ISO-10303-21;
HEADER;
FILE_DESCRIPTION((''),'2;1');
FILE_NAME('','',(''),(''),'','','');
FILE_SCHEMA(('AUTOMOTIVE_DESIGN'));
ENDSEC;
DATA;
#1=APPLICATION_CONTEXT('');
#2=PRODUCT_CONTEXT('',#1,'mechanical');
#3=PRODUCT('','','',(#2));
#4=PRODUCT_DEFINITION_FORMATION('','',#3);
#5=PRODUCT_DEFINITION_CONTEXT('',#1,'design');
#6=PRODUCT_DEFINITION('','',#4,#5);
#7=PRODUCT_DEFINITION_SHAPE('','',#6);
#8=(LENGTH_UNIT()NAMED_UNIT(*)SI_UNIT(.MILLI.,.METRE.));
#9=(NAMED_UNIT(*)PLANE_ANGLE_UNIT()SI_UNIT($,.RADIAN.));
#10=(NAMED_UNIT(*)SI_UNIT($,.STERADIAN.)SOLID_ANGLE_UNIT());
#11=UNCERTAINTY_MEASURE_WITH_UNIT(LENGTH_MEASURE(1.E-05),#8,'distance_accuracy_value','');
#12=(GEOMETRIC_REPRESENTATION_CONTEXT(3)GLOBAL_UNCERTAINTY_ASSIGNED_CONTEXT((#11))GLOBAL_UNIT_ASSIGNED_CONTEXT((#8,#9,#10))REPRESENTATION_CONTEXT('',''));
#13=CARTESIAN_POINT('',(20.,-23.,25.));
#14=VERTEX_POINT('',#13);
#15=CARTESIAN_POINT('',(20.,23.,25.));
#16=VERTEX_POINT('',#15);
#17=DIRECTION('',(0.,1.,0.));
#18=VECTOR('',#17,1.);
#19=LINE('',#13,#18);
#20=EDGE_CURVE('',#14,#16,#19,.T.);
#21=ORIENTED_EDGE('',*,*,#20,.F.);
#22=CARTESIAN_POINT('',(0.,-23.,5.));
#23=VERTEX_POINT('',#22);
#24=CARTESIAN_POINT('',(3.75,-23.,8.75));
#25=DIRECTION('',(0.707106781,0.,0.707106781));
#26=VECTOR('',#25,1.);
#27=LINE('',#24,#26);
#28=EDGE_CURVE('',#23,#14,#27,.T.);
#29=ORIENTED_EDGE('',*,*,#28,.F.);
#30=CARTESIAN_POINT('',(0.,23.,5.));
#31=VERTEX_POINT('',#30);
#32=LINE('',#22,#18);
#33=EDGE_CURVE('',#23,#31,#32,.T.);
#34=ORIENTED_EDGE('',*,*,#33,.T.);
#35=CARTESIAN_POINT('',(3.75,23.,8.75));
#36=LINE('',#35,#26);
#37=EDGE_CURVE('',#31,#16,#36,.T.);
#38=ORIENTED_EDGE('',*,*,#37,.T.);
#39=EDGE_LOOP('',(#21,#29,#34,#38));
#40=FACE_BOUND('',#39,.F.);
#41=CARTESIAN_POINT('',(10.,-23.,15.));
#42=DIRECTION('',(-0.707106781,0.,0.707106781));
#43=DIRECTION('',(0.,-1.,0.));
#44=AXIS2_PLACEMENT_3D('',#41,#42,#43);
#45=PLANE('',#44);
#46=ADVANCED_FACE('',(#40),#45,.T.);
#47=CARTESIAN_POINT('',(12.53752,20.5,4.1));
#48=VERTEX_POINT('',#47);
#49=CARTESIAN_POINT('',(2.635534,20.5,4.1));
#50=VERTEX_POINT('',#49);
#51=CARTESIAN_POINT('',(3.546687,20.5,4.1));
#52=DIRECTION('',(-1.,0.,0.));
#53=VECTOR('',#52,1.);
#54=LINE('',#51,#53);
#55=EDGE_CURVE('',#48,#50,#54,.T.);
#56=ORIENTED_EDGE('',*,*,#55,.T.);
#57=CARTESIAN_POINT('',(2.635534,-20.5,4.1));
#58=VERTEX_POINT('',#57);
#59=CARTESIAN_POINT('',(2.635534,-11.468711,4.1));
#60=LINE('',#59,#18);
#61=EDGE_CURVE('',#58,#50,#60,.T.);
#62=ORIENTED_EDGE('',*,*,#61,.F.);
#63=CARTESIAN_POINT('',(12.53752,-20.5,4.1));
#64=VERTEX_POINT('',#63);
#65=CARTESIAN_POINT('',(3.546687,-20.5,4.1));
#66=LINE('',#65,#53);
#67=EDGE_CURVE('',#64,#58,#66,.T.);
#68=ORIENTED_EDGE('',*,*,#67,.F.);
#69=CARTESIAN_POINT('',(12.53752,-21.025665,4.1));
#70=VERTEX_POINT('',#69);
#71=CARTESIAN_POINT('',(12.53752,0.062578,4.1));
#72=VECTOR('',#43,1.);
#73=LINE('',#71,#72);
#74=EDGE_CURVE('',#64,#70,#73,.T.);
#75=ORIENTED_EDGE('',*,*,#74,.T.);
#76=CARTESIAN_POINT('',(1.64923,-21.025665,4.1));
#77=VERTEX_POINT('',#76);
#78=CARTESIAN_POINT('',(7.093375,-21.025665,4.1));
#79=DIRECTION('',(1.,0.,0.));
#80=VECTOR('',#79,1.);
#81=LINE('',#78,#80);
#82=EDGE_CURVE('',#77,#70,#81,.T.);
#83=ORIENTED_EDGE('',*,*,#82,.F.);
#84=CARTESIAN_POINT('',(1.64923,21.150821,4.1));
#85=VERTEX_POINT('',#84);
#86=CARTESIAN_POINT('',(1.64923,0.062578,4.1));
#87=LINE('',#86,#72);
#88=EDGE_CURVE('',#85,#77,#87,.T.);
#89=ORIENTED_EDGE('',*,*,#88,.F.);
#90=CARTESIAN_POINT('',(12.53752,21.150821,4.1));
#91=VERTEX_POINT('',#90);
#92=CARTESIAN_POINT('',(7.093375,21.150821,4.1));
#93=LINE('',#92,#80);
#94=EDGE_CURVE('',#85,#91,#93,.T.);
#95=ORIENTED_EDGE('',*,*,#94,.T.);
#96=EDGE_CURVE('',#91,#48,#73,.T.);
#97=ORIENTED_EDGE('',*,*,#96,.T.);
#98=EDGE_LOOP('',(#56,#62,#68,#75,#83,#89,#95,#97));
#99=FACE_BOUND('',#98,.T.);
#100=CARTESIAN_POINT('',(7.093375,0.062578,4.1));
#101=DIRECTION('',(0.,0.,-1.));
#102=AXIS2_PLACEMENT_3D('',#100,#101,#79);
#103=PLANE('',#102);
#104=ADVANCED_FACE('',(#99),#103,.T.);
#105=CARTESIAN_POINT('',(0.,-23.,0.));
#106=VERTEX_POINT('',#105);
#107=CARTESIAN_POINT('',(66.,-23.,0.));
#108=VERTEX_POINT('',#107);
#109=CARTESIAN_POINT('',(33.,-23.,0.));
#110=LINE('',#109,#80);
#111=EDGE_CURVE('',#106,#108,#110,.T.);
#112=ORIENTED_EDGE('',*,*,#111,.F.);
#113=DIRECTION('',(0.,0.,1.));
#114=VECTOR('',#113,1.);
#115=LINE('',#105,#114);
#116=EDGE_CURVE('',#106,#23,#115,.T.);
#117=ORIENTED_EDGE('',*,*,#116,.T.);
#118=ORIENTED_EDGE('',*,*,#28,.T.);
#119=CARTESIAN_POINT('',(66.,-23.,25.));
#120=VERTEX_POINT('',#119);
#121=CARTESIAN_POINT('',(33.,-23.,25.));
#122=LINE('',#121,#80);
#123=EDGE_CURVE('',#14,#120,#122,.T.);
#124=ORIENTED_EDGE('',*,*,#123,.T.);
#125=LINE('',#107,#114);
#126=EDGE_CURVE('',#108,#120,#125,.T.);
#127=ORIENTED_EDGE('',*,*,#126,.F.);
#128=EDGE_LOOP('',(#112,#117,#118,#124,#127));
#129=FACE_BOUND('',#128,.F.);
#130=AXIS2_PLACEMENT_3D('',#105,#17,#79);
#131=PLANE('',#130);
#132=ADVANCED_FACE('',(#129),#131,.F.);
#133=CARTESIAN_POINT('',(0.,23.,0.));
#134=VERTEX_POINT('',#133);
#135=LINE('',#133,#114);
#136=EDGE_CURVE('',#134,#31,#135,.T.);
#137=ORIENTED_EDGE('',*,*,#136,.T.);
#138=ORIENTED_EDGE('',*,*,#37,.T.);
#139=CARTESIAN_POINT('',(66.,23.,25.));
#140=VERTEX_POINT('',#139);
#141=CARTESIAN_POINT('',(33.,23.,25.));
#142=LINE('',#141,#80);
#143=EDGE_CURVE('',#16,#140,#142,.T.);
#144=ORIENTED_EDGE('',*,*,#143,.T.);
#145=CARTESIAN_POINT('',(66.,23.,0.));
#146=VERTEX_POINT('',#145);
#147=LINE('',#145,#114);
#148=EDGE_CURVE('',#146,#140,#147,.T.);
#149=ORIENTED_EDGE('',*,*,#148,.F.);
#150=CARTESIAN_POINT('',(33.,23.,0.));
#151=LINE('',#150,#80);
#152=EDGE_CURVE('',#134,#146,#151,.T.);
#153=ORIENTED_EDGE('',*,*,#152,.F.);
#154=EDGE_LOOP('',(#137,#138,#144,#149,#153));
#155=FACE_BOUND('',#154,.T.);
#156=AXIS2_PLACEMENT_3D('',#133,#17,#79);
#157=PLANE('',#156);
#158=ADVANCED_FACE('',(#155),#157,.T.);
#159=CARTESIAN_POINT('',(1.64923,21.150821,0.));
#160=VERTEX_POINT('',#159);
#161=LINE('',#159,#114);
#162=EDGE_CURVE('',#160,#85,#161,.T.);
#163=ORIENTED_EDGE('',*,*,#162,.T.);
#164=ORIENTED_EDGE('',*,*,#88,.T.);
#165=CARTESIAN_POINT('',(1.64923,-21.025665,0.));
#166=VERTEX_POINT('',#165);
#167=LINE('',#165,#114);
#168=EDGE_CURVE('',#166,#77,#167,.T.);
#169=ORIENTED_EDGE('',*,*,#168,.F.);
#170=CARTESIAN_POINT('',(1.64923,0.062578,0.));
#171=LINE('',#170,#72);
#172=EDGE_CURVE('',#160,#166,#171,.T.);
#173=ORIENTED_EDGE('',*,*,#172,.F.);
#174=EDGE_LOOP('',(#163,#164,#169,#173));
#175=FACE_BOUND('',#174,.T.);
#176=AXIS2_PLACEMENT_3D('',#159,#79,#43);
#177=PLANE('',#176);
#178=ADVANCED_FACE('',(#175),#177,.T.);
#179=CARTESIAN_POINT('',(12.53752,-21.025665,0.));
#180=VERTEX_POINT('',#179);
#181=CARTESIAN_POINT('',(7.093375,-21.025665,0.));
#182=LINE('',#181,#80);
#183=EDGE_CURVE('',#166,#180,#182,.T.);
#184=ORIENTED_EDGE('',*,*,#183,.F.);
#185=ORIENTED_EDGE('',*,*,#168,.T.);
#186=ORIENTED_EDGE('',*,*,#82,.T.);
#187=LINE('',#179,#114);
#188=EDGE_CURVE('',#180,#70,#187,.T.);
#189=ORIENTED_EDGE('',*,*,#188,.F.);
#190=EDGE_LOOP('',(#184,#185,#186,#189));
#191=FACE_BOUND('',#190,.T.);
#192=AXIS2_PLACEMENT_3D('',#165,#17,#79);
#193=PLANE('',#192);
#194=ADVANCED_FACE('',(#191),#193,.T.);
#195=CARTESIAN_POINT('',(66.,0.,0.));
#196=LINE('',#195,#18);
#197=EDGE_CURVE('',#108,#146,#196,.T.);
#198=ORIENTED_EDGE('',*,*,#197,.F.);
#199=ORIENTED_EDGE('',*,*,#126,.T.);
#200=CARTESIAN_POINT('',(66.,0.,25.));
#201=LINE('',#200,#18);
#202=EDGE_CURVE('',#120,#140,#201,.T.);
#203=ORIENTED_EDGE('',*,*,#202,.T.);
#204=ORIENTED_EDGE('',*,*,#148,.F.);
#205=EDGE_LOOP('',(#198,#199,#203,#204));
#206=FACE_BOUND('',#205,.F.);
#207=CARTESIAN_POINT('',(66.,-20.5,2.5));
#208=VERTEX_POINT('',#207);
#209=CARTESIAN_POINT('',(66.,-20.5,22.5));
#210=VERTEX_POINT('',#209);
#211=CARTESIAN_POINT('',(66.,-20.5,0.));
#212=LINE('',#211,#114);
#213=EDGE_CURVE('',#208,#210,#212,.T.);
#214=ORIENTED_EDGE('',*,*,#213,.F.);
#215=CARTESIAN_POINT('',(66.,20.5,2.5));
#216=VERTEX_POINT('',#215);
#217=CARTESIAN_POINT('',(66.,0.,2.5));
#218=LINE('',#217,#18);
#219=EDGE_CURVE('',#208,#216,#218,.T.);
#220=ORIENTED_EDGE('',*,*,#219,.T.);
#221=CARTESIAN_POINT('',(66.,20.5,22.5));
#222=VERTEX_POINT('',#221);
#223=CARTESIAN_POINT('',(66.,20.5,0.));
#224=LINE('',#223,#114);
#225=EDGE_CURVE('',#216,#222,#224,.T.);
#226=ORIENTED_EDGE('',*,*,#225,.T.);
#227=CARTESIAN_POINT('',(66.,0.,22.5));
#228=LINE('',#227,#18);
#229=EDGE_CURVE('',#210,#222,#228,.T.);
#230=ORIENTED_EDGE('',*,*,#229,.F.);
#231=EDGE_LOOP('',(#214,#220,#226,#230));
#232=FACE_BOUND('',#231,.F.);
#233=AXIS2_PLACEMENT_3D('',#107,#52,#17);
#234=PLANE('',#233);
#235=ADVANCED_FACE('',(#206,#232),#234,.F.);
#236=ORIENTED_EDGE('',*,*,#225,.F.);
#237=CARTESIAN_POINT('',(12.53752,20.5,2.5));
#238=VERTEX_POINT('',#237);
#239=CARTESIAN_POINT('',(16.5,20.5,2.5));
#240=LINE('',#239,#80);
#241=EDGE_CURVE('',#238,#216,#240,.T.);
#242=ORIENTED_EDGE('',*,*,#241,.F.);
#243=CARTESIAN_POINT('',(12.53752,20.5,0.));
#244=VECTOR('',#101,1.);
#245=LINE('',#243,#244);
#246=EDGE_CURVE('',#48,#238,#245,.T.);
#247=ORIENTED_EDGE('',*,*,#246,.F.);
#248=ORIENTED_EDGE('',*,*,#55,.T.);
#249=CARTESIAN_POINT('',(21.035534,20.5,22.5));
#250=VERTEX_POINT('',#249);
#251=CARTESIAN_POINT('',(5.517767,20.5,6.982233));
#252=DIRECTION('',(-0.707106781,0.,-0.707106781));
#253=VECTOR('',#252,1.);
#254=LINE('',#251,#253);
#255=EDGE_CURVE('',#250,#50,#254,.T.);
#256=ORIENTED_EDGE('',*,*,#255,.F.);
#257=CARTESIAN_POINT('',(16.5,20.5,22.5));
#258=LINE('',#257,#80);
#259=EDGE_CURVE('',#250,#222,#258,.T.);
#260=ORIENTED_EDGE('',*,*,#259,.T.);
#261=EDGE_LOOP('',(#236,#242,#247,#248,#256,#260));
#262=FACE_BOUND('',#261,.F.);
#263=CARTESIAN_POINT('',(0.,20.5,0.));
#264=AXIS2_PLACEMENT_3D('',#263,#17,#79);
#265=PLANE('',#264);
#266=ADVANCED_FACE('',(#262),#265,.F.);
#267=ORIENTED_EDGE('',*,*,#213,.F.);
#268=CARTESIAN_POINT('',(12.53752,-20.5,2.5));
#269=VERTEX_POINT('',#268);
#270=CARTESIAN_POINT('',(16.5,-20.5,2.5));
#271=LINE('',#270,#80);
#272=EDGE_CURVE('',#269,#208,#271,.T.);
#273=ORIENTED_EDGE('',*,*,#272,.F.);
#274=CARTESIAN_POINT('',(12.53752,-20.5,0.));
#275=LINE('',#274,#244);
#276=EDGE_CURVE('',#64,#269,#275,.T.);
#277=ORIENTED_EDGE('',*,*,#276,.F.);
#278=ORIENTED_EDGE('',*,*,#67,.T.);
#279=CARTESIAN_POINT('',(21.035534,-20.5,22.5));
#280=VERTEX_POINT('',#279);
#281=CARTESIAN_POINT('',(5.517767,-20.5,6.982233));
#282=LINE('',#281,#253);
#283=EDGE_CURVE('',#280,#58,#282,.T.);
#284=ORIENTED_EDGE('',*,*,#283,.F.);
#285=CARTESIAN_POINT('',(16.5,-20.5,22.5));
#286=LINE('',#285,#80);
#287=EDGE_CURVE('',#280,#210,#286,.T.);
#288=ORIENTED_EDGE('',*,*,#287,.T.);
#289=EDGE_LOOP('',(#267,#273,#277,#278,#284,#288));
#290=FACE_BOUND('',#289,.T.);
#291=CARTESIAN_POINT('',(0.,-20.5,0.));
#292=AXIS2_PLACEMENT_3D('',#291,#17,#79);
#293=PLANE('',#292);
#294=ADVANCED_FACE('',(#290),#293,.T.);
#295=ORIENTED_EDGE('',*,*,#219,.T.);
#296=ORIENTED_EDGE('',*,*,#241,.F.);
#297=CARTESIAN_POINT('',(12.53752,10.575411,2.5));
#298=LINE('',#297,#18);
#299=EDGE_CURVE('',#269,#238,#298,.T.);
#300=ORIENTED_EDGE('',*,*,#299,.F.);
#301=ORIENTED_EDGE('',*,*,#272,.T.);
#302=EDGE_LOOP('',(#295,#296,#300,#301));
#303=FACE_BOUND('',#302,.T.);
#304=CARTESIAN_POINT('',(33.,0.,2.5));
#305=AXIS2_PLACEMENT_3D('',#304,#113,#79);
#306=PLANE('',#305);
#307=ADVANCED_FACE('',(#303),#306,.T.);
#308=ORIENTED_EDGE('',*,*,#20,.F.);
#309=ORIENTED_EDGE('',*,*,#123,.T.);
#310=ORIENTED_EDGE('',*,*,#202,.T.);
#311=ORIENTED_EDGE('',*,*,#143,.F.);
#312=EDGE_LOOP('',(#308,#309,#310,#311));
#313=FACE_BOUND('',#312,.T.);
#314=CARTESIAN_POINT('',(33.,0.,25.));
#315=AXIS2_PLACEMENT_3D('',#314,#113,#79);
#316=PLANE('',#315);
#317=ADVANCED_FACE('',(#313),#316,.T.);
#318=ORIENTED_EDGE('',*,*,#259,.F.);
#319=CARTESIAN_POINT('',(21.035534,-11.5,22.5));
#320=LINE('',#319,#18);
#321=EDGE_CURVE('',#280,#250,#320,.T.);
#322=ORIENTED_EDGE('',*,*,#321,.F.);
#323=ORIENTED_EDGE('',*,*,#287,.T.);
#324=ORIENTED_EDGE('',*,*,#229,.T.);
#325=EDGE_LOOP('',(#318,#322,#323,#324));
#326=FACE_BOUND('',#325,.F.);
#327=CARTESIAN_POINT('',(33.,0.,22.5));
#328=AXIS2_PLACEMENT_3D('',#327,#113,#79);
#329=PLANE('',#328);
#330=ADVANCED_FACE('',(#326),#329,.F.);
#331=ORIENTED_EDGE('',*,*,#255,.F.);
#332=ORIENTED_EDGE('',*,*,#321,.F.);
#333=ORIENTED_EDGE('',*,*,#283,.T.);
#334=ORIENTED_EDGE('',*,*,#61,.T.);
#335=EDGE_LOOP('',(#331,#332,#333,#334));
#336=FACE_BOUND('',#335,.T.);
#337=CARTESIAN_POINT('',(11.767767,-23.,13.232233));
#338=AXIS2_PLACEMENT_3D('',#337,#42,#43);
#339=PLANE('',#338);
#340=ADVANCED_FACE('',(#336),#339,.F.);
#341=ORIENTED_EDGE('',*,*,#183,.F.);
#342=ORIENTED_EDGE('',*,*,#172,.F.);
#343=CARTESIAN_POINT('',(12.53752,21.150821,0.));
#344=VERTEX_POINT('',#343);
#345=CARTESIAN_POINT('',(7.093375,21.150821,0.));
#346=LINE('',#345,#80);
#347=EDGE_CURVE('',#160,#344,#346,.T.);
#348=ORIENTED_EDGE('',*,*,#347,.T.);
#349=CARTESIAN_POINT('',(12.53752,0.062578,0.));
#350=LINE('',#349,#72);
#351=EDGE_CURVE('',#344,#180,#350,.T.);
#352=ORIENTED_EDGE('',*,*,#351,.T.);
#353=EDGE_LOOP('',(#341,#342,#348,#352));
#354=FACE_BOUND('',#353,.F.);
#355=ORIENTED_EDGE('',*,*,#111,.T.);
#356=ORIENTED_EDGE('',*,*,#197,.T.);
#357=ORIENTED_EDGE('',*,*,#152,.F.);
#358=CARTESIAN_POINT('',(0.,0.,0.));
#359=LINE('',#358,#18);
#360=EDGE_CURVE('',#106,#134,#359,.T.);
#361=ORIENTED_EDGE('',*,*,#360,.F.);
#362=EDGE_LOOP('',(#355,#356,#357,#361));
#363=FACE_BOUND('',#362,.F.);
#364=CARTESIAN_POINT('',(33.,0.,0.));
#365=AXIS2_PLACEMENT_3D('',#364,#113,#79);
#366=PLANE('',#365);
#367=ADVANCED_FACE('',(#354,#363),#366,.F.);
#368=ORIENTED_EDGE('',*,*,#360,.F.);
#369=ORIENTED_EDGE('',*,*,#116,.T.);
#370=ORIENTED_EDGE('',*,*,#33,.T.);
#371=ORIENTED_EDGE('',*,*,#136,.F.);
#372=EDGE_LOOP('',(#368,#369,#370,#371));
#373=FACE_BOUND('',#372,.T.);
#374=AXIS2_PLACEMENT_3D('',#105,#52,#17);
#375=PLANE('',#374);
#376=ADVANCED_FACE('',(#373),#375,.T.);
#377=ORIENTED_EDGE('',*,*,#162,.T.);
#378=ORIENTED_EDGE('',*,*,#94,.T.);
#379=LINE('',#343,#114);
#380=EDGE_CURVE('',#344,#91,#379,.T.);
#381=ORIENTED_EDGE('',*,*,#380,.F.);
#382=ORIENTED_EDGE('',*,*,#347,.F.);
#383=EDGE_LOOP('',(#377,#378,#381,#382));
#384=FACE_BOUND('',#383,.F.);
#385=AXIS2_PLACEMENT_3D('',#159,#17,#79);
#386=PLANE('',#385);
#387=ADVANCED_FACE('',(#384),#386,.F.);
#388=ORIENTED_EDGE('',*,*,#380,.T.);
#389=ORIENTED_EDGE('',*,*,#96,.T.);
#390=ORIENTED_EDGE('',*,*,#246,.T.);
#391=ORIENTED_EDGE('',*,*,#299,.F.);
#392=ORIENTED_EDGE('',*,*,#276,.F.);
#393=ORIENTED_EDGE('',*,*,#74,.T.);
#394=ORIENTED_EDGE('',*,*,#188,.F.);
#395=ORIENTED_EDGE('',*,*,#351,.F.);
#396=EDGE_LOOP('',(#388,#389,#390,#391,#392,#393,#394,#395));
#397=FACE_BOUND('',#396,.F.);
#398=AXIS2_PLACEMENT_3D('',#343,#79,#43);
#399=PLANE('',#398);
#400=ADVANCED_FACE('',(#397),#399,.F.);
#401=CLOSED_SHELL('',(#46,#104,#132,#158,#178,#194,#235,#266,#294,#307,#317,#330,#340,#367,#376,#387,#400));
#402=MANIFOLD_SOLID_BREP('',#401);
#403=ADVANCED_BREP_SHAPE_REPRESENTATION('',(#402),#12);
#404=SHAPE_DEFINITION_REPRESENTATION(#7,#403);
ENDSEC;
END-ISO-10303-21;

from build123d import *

# Parameters (mm, degrees)
F0_W     = 66
F0_H     = 46
F1_DEPTH = 25
F2_SIZE  = 20
F3_T     = -2.5
F4_W     = 10.88829
F4_H     = 42.176487
F5_DEPTH = 4.1


with BuildPart() as f1:
    # F0 (on Top) → F1 (new body)
    with BuildSketch(Plane.XY):
        with Locations((33, 0)):
            Rectangle(F0_W, F0_H)
    extrude(amount=F1_DEPTH)

    # F2
    f2_edges = [f1.edges().sort_by_distance(p)[0] for p in [
        (0, 0, 25),
    ]]
    chamfer(f2_edges, length=F2_SIZE)

    # F3
    f3_openings = [f1.faces().sort_by_distance(p)[0] for p in [
        (66, 0, 12.5),
    ]]
    offset(amount=F3_T, openings=f3_openings)

    # F4 (on face) → F5 (cut)
    with BuildSketch(Plane(origin=(0, 0, 0), x_dir=(1, 0, 0), z_dir=(0, 0, -1))):
        with Locations((7.093375, -0.062578)):
            Rectangle(F4_W, F4_H)
    extrude(amount=-F5_DEPTH, mode=Mode.SUBTRACT)


solid = f1.part
